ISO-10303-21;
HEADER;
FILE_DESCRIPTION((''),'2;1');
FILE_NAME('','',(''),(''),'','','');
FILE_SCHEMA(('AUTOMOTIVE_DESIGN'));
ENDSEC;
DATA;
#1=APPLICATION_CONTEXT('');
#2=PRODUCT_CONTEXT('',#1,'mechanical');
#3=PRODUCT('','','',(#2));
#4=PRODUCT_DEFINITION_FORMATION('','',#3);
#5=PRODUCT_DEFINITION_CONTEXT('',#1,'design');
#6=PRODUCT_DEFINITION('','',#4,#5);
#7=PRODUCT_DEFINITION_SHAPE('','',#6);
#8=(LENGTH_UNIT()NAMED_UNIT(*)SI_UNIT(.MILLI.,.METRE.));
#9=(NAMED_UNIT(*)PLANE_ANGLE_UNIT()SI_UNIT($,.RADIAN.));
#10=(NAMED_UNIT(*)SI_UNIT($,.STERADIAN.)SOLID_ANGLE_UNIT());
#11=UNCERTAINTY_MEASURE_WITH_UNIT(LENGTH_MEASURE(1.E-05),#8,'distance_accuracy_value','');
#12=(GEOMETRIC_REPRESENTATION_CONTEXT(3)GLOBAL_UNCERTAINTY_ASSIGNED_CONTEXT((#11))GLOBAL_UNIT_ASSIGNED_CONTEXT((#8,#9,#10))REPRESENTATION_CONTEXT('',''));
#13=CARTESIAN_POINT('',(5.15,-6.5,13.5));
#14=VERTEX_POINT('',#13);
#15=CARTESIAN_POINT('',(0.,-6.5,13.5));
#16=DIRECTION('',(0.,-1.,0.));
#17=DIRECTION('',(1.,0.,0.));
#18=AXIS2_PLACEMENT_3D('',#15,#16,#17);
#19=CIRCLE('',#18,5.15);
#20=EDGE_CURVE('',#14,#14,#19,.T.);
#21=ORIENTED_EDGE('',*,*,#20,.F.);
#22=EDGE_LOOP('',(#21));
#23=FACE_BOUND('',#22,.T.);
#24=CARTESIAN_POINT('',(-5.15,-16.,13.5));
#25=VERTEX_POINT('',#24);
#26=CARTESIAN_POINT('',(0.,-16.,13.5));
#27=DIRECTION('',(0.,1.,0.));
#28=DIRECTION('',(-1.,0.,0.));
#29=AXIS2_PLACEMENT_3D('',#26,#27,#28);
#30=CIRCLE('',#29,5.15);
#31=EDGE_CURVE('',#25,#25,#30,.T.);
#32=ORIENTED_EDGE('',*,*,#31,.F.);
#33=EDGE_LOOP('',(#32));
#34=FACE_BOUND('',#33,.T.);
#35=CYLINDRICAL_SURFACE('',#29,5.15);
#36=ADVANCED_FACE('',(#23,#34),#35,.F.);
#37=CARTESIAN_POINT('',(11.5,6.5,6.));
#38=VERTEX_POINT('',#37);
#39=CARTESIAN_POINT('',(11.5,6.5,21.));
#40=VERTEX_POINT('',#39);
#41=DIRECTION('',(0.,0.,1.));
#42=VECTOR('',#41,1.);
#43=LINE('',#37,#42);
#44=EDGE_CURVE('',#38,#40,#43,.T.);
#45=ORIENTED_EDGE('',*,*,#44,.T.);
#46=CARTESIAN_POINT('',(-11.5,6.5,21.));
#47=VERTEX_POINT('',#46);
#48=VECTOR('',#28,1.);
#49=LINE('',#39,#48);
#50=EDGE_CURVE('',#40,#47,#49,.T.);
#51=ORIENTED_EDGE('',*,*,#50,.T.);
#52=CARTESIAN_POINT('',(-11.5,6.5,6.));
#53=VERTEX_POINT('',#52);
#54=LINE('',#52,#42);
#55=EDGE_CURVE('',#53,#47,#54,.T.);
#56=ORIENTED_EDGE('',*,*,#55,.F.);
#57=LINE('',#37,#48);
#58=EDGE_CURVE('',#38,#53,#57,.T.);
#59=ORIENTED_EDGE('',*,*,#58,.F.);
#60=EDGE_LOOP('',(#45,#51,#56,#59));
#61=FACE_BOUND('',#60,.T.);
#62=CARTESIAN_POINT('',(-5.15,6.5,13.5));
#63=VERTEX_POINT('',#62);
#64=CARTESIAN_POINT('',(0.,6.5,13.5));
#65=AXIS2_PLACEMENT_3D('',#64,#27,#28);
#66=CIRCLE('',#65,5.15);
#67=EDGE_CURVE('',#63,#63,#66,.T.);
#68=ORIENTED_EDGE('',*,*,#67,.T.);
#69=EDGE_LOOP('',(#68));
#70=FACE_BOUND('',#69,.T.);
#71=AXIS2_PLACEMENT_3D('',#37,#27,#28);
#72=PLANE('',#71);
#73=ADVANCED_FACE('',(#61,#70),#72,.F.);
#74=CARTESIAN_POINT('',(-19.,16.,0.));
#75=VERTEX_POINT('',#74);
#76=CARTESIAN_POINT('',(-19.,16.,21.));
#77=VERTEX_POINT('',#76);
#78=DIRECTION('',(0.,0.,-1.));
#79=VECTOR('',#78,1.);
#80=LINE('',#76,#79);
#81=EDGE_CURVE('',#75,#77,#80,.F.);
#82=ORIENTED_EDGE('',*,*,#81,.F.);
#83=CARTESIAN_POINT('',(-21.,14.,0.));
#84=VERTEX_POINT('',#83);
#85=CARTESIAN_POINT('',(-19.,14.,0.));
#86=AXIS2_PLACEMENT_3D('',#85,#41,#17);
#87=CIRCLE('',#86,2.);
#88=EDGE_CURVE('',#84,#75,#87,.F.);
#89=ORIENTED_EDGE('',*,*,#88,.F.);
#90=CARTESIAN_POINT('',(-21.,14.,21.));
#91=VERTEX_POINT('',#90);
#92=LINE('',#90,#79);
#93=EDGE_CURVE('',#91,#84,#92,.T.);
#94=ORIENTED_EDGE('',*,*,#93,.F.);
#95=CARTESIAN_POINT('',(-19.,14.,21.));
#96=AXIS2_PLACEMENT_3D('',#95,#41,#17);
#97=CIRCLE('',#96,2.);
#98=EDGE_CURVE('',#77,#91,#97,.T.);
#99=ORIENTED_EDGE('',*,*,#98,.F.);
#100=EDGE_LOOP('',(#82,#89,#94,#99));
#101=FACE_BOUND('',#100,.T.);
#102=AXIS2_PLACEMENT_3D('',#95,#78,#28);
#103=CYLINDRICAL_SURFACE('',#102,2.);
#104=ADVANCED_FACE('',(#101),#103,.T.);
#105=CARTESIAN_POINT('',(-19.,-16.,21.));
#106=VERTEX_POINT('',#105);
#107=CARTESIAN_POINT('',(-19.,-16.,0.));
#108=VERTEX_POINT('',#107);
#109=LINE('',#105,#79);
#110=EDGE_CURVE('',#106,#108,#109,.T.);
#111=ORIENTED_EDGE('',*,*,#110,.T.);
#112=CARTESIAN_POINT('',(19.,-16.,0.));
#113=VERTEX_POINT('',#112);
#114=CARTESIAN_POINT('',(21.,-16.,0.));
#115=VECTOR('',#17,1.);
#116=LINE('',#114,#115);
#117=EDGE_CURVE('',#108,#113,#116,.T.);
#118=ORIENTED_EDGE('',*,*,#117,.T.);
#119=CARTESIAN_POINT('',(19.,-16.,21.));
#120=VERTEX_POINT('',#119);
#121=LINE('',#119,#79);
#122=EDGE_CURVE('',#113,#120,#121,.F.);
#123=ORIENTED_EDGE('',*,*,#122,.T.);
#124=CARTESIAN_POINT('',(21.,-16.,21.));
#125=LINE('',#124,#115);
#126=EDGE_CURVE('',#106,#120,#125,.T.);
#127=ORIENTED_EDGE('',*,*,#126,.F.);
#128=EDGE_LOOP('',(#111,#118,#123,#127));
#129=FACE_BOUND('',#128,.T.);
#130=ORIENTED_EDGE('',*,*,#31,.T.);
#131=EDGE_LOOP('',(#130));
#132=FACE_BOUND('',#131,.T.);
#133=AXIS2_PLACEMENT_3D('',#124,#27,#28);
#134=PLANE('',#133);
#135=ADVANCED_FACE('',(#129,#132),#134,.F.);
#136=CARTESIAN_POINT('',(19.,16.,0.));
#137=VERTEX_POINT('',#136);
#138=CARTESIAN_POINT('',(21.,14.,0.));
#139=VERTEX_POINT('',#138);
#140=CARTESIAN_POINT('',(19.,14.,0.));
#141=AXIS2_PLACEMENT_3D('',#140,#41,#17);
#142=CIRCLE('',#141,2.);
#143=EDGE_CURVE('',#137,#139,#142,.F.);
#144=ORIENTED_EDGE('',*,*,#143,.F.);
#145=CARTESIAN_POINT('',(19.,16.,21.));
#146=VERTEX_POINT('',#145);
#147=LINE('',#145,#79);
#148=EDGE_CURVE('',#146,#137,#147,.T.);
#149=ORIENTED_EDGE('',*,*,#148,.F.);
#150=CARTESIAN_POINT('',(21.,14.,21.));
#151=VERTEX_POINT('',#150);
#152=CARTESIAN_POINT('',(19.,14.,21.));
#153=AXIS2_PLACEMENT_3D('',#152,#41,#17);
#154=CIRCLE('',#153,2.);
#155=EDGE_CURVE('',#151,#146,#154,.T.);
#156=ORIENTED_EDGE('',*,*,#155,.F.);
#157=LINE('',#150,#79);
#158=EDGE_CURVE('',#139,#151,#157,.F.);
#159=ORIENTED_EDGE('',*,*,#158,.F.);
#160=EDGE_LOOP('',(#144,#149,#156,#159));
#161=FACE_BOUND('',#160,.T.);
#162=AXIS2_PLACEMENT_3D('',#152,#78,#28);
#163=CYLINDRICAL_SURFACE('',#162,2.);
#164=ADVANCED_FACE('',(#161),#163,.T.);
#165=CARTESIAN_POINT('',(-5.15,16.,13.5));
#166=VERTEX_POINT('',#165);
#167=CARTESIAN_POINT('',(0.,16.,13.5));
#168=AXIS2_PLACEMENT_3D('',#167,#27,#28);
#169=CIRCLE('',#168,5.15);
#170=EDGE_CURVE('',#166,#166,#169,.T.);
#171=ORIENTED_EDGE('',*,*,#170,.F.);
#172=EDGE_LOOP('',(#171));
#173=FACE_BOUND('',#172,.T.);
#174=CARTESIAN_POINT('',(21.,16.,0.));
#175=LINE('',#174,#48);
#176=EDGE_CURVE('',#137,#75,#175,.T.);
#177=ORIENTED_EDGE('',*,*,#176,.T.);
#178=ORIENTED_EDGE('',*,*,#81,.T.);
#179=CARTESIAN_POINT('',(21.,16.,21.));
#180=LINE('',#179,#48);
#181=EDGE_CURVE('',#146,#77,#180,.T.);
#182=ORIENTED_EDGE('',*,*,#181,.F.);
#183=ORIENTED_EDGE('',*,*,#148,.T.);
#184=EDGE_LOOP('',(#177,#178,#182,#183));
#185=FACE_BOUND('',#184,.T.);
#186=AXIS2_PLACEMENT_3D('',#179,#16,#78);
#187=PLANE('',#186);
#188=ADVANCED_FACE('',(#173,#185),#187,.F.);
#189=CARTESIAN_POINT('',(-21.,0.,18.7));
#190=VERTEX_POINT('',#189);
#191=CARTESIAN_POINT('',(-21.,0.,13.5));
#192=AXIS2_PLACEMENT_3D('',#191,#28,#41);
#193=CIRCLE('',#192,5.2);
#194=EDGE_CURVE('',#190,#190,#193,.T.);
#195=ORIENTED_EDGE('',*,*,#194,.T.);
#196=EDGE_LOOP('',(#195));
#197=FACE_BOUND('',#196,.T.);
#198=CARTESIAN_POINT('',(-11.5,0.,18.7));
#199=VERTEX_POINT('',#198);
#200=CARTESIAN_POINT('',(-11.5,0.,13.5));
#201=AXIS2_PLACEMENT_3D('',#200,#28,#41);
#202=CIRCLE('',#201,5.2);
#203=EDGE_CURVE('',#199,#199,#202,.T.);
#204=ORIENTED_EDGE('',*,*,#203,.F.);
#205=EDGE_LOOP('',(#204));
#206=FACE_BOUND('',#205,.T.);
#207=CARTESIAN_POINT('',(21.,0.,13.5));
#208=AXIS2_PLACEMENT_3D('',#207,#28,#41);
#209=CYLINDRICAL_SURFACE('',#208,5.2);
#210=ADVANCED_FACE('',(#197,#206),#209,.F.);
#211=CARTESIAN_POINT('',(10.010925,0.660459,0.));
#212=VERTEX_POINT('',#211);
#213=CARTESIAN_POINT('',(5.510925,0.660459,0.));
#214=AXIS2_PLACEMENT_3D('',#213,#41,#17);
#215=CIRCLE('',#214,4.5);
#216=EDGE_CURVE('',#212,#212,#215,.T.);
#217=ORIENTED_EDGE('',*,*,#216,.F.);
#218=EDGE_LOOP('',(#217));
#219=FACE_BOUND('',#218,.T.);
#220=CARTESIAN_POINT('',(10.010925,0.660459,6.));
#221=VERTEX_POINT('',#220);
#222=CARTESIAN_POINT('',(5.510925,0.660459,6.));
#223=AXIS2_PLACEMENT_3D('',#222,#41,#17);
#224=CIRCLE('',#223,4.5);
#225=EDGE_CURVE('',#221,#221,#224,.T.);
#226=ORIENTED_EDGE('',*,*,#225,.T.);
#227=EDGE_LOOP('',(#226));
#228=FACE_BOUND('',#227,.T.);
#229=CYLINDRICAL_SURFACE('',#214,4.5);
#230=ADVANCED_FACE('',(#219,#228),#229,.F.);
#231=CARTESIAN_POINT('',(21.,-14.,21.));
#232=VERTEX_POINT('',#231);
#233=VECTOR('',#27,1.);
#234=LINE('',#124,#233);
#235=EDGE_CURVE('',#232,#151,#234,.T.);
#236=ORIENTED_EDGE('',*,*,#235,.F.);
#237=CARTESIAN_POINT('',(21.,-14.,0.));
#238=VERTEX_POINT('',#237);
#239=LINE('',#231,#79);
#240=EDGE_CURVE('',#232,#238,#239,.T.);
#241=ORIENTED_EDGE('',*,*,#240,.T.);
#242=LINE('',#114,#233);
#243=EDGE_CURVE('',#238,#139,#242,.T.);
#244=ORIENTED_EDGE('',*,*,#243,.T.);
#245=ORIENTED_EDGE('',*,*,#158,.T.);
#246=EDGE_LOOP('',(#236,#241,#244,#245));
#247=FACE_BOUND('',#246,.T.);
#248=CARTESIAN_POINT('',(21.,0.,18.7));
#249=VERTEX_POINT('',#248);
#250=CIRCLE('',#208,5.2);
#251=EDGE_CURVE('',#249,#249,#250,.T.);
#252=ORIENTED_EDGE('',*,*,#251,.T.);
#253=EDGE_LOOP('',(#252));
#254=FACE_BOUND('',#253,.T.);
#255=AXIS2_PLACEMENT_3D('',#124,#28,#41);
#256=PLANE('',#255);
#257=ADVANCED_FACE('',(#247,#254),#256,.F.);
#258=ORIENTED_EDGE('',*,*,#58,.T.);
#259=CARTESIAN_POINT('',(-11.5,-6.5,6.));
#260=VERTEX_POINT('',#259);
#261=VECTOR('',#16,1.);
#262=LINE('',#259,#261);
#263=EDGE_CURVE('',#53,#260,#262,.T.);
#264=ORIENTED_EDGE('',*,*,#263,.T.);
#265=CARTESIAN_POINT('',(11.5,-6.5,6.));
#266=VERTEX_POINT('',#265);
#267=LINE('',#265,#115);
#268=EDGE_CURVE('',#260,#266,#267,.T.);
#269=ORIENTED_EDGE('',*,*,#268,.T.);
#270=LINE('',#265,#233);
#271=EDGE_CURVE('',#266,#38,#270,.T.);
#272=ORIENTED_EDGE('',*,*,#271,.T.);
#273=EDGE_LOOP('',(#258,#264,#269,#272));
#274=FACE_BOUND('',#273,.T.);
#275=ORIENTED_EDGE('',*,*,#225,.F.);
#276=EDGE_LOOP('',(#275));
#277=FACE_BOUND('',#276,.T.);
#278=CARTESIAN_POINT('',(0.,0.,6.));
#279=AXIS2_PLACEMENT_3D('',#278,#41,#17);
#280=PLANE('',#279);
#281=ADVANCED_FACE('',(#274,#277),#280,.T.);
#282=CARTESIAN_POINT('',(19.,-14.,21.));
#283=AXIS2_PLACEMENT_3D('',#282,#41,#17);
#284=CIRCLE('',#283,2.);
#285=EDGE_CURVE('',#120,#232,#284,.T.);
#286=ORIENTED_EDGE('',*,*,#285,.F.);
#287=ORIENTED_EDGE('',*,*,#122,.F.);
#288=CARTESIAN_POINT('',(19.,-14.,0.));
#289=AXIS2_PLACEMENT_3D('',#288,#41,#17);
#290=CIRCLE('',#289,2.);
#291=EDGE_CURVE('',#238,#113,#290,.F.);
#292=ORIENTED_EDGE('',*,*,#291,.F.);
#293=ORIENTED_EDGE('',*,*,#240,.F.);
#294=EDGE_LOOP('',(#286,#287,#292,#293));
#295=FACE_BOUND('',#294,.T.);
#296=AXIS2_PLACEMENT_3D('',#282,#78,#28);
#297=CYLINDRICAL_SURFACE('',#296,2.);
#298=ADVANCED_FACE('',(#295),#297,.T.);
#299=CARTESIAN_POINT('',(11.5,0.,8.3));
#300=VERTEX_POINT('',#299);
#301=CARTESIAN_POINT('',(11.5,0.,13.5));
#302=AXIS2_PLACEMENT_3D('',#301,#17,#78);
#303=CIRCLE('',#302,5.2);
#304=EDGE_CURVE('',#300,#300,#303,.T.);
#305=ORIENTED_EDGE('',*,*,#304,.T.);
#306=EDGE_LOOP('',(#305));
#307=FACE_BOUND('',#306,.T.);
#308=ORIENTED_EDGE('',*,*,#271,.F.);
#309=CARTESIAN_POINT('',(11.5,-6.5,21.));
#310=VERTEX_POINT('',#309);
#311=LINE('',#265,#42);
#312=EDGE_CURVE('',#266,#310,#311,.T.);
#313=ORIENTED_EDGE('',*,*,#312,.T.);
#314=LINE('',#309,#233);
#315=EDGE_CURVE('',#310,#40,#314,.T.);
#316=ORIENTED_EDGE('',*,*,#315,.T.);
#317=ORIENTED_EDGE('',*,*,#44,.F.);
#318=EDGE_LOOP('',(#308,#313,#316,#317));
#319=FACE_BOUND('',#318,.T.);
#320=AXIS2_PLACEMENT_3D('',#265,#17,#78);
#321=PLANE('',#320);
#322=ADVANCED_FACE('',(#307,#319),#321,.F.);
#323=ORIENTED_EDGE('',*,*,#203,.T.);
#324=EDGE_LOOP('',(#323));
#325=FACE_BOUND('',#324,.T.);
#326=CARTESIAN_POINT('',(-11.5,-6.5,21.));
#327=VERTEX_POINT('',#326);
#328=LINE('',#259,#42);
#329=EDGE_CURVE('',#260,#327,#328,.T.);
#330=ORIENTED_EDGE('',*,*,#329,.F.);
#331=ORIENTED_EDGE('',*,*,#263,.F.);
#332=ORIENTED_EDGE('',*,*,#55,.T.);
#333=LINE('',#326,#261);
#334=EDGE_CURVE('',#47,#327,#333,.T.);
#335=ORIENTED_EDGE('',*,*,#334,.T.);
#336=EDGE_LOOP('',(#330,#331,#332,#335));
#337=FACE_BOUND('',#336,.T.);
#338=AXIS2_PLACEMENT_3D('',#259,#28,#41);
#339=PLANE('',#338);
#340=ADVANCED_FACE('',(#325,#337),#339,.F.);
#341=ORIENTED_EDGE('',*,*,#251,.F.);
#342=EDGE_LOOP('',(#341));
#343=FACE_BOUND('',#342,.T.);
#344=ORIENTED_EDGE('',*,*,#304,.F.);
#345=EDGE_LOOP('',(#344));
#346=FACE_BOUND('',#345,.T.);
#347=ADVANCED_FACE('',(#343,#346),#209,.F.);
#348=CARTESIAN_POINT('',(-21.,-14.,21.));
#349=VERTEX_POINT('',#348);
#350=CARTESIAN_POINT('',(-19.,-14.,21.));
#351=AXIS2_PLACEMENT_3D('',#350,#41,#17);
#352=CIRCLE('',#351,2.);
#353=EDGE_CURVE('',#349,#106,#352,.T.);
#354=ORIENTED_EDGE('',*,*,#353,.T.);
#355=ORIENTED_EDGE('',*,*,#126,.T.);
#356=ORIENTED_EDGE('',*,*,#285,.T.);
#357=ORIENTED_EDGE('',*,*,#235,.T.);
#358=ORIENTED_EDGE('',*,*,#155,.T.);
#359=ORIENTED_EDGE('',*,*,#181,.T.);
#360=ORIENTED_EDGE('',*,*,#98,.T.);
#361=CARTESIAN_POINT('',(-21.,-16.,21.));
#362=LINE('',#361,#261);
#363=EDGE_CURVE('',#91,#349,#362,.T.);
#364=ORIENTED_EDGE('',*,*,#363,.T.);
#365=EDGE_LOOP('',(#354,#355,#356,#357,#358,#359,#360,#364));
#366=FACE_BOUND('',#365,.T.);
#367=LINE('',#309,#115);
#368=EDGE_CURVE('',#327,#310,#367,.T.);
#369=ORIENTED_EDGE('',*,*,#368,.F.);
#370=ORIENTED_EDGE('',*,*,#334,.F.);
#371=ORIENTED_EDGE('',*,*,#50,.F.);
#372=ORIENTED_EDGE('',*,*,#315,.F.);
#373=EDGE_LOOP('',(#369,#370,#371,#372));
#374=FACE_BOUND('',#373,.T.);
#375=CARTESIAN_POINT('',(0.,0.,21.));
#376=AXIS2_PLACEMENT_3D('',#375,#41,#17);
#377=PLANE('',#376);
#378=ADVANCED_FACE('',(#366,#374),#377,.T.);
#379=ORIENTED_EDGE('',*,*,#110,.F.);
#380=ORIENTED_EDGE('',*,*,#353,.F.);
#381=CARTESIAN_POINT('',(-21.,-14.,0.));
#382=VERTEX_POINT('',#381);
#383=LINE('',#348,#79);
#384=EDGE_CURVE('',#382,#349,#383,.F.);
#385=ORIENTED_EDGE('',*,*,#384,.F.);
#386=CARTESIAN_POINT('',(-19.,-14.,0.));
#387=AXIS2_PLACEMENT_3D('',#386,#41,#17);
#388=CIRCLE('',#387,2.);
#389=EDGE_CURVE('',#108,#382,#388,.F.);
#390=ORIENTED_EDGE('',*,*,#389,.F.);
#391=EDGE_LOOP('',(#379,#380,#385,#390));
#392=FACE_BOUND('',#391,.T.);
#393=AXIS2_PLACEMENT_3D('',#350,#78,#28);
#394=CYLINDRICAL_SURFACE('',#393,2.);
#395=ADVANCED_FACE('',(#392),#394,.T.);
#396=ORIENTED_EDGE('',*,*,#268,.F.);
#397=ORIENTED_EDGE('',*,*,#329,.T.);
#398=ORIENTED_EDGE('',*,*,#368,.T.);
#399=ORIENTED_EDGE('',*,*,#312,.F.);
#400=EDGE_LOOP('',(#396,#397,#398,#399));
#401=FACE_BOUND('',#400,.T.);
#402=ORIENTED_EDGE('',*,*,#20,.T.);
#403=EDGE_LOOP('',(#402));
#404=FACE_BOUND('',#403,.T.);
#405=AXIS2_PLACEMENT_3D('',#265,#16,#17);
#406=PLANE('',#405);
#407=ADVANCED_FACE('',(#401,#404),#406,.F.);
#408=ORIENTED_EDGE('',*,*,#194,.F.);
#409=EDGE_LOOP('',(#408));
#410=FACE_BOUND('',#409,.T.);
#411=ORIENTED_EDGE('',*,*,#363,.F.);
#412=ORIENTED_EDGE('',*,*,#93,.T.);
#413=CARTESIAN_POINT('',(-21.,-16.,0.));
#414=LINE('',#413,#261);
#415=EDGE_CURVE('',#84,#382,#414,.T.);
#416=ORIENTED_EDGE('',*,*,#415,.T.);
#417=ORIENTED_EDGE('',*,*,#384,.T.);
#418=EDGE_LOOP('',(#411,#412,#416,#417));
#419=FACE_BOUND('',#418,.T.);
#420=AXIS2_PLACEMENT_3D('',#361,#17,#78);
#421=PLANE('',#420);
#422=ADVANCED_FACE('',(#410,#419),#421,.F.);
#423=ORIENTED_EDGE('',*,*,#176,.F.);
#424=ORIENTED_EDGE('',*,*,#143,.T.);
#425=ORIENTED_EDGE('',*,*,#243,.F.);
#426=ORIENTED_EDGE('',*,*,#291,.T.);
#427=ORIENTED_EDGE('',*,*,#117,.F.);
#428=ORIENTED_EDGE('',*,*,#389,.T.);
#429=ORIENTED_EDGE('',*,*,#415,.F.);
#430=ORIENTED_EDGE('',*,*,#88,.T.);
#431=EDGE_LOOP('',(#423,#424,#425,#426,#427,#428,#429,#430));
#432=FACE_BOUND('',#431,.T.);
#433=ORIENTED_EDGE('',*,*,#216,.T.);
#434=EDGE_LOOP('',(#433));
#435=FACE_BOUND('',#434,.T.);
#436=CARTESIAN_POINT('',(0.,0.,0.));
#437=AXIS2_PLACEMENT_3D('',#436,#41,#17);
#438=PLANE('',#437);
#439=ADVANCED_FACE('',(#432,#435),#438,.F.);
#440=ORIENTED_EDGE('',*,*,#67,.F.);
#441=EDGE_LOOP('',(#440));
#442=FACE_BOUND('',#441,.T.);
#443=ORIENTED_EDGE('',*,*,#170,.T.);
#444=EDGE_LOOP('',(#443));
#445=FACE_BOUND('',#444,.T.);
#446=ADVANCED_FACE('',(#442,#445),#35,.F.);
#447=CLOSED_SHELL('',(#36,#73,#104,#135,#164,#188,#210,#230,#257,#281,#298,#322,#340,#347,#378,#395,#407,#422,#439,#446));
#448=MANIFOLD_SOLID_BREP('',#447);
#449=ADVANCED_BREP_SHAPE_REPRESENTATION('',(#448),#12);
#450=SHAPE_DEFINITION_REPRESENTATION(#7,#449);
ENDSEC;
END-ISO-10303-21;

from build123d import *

# Parameters (mm, degrees)
SKETCH1_W               = 42
SKETCH1_H               = 32
BOSS_EXTRUDE1_DEPTH     = 21
SKETCH2_W               = 23
SKETCH2_H               = 13
CUT_EXTRUDE1_DEPTH      = 15
SKETCH3_R               = 4.5
CUT_EXTRUDE2_DEPTH      = 31.364452901
CUT_EXTRUDE3_DEPTH      = 42.871828238
CUT_EXTRUDE3_DEPTH_BACK = 42.871828238
SKETCH4_R               = 5.2
CUT_EXTRUDE4_DEPTH      = 38.259227045
CUT_EXTRUDE4_DEPTH_BACK = 38.259227045
SKETCH5_R               = 5.15
FILLET1_R               = 2


with BuildPart() as part:
    # Sketch1 → Boss-Extrude1 (new body)
    with BuildSketch(Plane.XY):
        Rectangle(SKETCH1_W, SKETCH1_H)
    extrude(amount=BOSS_EXTRUDE1_DEPTH)

    # Sketch2 → Cut-Extrude1 (cut)
    with BuildSketch(Plane.XY.offset(21)):
        Rectangle(SKETCH2_W, SKETCH2_H)
    extrude(amount=-CUT_EXTRUDE1_DEPTH, mode=Mode.SUBTRACT)

    # Sketch3 → Cut-Extrude2 (cut, through all)
    with BuildSketch(Plane.XY.offset(6)):
        with Locations((5.510924595, 0.660459353)):
            Circle(SKETCH3_R)
    extrude(amount=-CUT_EXTRUDE2_DEPTH, mode=Mode.SUBTRACT)

    # Sketch4 → Cut-Extrude3 (cut, two sides: drawn at the far end of the back side and taken through both)
    with BuildSketch(Plane.ZY.offset(-11.5).offset(-CUT_EXTRUDE3_DEPTH_BACK)):
        with Locations((13.5, 0)):
            Circle(SKETCH4_R)
    extrude(amount=CUT_EXTRUDE3_DEPTH + CUT_EXTRUDE3_DEPTH_BACK, mode=Mode.SUBTRACT)

    # Sketch5 → Cut-Extrude4 (cut, two sides: drawn at the far end of the back side and taken through both)
    with BuildSketch(Plane(origin=(0, -6.5, 0), x_dir=(1, 0, 0), z_dir=(0, 1, 0)).offset(-CUT_EXTRUDE4_DEPTH_BACK)):
        with Locations(Location((0, -13.5, 0), (0, 0, 180))):
            Circle(SKETCH5_R)
    extrude(amount=CUT_EXTRUDE4_DEPTH + CUT_EXTRUDE4_DEPTH_BACK, mode=Mode.SUBTRACT)

    # Fillet1
    fillet1_edges = [part.edges().sort_by_distance(p)[0] for p in [
        (-21, 16, 10.5),
        (21, 16, 10.5),
        (21, -16, 10.5),
        (-21, -16, 10.5),
    ]]
    fillet(fillet1_edges, radius=FILLET1_R)


solid = part.part
